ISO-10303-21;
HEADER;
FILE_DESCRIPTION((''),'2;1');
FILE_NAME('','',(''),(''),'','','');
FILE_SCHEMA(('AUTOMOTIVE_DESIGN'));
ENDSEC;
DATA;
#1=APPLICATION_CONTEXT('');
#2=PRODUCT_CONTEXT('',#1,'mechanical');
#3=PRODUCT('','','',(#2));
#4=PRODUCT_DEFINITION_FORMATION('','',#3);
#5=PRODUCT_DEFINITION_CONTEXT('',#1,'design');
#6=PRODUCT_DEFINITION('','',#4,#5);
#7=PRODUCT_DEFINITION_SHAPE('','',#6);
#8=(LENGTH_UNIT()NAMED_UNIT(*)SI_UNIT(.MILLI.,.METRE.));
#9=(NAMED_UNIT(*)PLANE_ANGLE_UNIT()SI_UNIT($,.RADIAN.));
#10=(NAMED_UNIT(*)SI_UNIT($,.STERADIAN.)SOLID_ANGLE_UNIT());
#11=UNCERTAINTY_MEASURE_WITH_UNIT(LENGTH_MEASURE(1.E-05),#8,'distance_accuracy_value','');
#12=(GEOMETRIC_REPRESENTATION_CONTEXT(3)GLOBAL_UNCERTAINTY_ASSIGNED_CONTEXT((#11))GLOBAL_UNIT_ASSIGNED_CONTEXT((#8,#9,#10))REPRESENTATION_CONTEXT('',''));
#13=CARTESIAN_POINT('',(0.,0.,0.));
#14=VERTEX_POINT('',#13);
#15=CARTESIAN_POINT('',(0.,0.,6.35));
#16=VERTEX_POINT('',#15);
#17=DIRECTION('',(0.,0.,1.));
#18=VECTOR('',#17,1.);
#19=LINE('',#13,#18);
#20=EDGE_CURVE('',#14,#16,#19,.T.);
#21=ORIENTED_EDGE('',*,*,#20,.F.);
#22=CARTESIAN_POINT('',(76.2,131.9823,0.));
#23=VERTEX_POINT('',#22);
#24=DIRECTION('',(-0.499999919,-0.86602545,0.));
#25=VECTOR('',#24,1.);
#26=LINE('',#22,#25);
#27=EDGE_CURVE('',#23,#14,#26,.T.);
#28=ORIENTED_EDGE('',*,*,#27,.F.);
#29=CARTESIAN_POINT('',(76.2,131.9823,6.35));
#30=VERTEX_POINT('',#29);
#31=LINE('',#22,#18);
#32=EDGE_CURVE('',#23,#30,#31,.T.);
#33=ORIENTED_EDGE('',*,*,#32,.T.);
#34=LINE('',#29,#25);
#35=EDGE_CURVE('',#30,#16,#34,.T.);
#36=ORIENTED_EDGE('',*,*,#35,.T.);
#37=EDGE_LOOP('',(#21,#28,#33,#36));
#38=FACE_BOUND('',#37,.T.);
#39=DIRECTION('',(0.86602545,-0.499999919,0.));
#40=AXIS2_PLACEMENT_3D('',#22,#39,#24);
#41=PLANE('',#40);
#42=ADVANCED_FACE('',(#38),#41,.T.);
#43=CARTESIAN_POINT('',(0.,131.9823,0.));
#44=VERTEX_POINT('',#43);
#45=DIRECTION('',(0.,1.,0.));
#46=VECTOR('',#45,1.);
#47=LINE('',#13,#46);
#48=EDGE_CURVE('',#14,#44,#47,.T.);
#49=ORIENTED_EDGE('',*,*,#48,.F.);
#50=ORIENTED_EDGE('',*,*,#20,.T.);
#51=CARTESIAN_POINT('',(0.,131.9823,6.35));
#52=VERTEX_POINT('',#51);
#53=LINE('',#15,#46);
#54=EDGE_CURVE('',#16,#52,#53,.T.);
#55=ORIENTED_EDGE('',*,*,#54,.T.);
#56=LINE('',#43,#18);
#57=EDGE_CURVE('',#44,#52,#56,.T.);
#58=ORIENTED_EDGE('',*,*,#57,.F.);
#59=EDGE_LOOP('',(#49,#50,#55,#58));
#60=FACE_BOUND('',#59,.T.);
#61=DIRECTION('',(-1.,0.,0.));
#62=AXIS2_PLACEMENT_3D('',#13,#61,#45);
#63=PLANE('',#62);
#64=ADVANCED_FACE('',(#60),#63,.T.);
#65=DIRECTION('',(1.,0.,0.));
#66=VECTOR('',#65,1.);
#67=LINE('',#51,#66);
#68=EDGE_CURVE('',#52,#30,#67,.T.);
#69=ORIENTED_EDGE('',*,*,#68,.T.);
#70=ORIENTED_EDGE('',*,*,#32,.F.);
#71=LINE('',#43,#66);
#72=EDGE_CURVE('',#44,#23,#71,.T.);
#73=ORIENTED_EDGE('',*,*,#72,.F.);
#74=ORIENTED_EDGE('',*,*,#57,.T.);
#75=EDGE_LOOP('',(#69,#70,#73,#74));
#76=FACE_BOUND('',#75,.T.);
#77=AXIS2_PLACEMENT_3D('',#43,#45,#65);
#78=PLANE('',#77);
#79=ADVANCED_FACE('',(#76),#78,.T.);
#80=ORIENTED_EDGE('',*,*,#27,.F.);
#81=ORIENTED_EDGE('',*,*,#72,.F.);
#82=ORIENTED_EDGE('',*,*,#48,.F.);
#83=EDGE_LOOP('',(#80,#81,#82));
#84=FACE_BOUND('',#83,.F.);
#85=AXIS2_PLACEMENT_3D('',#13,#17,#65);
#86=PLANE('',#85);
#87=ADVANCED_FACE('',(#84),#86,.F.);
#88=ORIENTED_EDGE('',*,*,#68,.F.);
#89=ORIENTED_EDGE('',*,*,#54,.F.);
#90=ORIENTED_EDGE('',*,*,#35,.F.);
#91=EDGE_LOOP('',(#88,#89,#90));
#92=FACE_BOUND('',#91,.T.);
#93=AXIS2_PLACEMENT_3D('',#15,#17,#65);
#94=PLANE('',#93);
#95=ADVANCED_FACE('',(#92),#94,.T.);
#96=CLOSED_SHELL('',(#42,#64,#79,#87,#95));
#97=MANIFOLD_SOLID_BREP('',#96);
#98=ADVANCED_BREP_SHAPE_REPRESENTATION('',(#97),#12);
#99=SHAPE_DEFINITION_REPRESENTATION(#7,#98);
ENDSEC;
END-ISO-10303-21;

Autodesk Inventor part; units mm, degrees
ref_plane "YZ Plane" through (0, 0, 0) normal (1, 0, 0) x (0, 1, 0)
ref_plane "XZ Plane" through (0, 0, 0) normal (0, 1, 0) x (-1, 0, 0)
ref_plane "XY Plane" through (0, 0, 0) normal (0, 0, 1) x (1, 0, 0)
sketch "Sketch2" plane through (0, 0, 0) normal (0, 0, 1) x (1, 0, 0)
  line L0 (0, 0) -> (0, 131.9823)
  line L1 (0, 131.9823) -> (76.2, 131.9823)
  line L2 (76.2, 131.9823) -> (0, 0)
  dimension "d4" = 131.9823
  dimension "d5" = 76.2
extrude "Extrusion2" add sketch "Sketch2" along normal blind 6.35
properties part number "triangle_plywood_Ocampo"
